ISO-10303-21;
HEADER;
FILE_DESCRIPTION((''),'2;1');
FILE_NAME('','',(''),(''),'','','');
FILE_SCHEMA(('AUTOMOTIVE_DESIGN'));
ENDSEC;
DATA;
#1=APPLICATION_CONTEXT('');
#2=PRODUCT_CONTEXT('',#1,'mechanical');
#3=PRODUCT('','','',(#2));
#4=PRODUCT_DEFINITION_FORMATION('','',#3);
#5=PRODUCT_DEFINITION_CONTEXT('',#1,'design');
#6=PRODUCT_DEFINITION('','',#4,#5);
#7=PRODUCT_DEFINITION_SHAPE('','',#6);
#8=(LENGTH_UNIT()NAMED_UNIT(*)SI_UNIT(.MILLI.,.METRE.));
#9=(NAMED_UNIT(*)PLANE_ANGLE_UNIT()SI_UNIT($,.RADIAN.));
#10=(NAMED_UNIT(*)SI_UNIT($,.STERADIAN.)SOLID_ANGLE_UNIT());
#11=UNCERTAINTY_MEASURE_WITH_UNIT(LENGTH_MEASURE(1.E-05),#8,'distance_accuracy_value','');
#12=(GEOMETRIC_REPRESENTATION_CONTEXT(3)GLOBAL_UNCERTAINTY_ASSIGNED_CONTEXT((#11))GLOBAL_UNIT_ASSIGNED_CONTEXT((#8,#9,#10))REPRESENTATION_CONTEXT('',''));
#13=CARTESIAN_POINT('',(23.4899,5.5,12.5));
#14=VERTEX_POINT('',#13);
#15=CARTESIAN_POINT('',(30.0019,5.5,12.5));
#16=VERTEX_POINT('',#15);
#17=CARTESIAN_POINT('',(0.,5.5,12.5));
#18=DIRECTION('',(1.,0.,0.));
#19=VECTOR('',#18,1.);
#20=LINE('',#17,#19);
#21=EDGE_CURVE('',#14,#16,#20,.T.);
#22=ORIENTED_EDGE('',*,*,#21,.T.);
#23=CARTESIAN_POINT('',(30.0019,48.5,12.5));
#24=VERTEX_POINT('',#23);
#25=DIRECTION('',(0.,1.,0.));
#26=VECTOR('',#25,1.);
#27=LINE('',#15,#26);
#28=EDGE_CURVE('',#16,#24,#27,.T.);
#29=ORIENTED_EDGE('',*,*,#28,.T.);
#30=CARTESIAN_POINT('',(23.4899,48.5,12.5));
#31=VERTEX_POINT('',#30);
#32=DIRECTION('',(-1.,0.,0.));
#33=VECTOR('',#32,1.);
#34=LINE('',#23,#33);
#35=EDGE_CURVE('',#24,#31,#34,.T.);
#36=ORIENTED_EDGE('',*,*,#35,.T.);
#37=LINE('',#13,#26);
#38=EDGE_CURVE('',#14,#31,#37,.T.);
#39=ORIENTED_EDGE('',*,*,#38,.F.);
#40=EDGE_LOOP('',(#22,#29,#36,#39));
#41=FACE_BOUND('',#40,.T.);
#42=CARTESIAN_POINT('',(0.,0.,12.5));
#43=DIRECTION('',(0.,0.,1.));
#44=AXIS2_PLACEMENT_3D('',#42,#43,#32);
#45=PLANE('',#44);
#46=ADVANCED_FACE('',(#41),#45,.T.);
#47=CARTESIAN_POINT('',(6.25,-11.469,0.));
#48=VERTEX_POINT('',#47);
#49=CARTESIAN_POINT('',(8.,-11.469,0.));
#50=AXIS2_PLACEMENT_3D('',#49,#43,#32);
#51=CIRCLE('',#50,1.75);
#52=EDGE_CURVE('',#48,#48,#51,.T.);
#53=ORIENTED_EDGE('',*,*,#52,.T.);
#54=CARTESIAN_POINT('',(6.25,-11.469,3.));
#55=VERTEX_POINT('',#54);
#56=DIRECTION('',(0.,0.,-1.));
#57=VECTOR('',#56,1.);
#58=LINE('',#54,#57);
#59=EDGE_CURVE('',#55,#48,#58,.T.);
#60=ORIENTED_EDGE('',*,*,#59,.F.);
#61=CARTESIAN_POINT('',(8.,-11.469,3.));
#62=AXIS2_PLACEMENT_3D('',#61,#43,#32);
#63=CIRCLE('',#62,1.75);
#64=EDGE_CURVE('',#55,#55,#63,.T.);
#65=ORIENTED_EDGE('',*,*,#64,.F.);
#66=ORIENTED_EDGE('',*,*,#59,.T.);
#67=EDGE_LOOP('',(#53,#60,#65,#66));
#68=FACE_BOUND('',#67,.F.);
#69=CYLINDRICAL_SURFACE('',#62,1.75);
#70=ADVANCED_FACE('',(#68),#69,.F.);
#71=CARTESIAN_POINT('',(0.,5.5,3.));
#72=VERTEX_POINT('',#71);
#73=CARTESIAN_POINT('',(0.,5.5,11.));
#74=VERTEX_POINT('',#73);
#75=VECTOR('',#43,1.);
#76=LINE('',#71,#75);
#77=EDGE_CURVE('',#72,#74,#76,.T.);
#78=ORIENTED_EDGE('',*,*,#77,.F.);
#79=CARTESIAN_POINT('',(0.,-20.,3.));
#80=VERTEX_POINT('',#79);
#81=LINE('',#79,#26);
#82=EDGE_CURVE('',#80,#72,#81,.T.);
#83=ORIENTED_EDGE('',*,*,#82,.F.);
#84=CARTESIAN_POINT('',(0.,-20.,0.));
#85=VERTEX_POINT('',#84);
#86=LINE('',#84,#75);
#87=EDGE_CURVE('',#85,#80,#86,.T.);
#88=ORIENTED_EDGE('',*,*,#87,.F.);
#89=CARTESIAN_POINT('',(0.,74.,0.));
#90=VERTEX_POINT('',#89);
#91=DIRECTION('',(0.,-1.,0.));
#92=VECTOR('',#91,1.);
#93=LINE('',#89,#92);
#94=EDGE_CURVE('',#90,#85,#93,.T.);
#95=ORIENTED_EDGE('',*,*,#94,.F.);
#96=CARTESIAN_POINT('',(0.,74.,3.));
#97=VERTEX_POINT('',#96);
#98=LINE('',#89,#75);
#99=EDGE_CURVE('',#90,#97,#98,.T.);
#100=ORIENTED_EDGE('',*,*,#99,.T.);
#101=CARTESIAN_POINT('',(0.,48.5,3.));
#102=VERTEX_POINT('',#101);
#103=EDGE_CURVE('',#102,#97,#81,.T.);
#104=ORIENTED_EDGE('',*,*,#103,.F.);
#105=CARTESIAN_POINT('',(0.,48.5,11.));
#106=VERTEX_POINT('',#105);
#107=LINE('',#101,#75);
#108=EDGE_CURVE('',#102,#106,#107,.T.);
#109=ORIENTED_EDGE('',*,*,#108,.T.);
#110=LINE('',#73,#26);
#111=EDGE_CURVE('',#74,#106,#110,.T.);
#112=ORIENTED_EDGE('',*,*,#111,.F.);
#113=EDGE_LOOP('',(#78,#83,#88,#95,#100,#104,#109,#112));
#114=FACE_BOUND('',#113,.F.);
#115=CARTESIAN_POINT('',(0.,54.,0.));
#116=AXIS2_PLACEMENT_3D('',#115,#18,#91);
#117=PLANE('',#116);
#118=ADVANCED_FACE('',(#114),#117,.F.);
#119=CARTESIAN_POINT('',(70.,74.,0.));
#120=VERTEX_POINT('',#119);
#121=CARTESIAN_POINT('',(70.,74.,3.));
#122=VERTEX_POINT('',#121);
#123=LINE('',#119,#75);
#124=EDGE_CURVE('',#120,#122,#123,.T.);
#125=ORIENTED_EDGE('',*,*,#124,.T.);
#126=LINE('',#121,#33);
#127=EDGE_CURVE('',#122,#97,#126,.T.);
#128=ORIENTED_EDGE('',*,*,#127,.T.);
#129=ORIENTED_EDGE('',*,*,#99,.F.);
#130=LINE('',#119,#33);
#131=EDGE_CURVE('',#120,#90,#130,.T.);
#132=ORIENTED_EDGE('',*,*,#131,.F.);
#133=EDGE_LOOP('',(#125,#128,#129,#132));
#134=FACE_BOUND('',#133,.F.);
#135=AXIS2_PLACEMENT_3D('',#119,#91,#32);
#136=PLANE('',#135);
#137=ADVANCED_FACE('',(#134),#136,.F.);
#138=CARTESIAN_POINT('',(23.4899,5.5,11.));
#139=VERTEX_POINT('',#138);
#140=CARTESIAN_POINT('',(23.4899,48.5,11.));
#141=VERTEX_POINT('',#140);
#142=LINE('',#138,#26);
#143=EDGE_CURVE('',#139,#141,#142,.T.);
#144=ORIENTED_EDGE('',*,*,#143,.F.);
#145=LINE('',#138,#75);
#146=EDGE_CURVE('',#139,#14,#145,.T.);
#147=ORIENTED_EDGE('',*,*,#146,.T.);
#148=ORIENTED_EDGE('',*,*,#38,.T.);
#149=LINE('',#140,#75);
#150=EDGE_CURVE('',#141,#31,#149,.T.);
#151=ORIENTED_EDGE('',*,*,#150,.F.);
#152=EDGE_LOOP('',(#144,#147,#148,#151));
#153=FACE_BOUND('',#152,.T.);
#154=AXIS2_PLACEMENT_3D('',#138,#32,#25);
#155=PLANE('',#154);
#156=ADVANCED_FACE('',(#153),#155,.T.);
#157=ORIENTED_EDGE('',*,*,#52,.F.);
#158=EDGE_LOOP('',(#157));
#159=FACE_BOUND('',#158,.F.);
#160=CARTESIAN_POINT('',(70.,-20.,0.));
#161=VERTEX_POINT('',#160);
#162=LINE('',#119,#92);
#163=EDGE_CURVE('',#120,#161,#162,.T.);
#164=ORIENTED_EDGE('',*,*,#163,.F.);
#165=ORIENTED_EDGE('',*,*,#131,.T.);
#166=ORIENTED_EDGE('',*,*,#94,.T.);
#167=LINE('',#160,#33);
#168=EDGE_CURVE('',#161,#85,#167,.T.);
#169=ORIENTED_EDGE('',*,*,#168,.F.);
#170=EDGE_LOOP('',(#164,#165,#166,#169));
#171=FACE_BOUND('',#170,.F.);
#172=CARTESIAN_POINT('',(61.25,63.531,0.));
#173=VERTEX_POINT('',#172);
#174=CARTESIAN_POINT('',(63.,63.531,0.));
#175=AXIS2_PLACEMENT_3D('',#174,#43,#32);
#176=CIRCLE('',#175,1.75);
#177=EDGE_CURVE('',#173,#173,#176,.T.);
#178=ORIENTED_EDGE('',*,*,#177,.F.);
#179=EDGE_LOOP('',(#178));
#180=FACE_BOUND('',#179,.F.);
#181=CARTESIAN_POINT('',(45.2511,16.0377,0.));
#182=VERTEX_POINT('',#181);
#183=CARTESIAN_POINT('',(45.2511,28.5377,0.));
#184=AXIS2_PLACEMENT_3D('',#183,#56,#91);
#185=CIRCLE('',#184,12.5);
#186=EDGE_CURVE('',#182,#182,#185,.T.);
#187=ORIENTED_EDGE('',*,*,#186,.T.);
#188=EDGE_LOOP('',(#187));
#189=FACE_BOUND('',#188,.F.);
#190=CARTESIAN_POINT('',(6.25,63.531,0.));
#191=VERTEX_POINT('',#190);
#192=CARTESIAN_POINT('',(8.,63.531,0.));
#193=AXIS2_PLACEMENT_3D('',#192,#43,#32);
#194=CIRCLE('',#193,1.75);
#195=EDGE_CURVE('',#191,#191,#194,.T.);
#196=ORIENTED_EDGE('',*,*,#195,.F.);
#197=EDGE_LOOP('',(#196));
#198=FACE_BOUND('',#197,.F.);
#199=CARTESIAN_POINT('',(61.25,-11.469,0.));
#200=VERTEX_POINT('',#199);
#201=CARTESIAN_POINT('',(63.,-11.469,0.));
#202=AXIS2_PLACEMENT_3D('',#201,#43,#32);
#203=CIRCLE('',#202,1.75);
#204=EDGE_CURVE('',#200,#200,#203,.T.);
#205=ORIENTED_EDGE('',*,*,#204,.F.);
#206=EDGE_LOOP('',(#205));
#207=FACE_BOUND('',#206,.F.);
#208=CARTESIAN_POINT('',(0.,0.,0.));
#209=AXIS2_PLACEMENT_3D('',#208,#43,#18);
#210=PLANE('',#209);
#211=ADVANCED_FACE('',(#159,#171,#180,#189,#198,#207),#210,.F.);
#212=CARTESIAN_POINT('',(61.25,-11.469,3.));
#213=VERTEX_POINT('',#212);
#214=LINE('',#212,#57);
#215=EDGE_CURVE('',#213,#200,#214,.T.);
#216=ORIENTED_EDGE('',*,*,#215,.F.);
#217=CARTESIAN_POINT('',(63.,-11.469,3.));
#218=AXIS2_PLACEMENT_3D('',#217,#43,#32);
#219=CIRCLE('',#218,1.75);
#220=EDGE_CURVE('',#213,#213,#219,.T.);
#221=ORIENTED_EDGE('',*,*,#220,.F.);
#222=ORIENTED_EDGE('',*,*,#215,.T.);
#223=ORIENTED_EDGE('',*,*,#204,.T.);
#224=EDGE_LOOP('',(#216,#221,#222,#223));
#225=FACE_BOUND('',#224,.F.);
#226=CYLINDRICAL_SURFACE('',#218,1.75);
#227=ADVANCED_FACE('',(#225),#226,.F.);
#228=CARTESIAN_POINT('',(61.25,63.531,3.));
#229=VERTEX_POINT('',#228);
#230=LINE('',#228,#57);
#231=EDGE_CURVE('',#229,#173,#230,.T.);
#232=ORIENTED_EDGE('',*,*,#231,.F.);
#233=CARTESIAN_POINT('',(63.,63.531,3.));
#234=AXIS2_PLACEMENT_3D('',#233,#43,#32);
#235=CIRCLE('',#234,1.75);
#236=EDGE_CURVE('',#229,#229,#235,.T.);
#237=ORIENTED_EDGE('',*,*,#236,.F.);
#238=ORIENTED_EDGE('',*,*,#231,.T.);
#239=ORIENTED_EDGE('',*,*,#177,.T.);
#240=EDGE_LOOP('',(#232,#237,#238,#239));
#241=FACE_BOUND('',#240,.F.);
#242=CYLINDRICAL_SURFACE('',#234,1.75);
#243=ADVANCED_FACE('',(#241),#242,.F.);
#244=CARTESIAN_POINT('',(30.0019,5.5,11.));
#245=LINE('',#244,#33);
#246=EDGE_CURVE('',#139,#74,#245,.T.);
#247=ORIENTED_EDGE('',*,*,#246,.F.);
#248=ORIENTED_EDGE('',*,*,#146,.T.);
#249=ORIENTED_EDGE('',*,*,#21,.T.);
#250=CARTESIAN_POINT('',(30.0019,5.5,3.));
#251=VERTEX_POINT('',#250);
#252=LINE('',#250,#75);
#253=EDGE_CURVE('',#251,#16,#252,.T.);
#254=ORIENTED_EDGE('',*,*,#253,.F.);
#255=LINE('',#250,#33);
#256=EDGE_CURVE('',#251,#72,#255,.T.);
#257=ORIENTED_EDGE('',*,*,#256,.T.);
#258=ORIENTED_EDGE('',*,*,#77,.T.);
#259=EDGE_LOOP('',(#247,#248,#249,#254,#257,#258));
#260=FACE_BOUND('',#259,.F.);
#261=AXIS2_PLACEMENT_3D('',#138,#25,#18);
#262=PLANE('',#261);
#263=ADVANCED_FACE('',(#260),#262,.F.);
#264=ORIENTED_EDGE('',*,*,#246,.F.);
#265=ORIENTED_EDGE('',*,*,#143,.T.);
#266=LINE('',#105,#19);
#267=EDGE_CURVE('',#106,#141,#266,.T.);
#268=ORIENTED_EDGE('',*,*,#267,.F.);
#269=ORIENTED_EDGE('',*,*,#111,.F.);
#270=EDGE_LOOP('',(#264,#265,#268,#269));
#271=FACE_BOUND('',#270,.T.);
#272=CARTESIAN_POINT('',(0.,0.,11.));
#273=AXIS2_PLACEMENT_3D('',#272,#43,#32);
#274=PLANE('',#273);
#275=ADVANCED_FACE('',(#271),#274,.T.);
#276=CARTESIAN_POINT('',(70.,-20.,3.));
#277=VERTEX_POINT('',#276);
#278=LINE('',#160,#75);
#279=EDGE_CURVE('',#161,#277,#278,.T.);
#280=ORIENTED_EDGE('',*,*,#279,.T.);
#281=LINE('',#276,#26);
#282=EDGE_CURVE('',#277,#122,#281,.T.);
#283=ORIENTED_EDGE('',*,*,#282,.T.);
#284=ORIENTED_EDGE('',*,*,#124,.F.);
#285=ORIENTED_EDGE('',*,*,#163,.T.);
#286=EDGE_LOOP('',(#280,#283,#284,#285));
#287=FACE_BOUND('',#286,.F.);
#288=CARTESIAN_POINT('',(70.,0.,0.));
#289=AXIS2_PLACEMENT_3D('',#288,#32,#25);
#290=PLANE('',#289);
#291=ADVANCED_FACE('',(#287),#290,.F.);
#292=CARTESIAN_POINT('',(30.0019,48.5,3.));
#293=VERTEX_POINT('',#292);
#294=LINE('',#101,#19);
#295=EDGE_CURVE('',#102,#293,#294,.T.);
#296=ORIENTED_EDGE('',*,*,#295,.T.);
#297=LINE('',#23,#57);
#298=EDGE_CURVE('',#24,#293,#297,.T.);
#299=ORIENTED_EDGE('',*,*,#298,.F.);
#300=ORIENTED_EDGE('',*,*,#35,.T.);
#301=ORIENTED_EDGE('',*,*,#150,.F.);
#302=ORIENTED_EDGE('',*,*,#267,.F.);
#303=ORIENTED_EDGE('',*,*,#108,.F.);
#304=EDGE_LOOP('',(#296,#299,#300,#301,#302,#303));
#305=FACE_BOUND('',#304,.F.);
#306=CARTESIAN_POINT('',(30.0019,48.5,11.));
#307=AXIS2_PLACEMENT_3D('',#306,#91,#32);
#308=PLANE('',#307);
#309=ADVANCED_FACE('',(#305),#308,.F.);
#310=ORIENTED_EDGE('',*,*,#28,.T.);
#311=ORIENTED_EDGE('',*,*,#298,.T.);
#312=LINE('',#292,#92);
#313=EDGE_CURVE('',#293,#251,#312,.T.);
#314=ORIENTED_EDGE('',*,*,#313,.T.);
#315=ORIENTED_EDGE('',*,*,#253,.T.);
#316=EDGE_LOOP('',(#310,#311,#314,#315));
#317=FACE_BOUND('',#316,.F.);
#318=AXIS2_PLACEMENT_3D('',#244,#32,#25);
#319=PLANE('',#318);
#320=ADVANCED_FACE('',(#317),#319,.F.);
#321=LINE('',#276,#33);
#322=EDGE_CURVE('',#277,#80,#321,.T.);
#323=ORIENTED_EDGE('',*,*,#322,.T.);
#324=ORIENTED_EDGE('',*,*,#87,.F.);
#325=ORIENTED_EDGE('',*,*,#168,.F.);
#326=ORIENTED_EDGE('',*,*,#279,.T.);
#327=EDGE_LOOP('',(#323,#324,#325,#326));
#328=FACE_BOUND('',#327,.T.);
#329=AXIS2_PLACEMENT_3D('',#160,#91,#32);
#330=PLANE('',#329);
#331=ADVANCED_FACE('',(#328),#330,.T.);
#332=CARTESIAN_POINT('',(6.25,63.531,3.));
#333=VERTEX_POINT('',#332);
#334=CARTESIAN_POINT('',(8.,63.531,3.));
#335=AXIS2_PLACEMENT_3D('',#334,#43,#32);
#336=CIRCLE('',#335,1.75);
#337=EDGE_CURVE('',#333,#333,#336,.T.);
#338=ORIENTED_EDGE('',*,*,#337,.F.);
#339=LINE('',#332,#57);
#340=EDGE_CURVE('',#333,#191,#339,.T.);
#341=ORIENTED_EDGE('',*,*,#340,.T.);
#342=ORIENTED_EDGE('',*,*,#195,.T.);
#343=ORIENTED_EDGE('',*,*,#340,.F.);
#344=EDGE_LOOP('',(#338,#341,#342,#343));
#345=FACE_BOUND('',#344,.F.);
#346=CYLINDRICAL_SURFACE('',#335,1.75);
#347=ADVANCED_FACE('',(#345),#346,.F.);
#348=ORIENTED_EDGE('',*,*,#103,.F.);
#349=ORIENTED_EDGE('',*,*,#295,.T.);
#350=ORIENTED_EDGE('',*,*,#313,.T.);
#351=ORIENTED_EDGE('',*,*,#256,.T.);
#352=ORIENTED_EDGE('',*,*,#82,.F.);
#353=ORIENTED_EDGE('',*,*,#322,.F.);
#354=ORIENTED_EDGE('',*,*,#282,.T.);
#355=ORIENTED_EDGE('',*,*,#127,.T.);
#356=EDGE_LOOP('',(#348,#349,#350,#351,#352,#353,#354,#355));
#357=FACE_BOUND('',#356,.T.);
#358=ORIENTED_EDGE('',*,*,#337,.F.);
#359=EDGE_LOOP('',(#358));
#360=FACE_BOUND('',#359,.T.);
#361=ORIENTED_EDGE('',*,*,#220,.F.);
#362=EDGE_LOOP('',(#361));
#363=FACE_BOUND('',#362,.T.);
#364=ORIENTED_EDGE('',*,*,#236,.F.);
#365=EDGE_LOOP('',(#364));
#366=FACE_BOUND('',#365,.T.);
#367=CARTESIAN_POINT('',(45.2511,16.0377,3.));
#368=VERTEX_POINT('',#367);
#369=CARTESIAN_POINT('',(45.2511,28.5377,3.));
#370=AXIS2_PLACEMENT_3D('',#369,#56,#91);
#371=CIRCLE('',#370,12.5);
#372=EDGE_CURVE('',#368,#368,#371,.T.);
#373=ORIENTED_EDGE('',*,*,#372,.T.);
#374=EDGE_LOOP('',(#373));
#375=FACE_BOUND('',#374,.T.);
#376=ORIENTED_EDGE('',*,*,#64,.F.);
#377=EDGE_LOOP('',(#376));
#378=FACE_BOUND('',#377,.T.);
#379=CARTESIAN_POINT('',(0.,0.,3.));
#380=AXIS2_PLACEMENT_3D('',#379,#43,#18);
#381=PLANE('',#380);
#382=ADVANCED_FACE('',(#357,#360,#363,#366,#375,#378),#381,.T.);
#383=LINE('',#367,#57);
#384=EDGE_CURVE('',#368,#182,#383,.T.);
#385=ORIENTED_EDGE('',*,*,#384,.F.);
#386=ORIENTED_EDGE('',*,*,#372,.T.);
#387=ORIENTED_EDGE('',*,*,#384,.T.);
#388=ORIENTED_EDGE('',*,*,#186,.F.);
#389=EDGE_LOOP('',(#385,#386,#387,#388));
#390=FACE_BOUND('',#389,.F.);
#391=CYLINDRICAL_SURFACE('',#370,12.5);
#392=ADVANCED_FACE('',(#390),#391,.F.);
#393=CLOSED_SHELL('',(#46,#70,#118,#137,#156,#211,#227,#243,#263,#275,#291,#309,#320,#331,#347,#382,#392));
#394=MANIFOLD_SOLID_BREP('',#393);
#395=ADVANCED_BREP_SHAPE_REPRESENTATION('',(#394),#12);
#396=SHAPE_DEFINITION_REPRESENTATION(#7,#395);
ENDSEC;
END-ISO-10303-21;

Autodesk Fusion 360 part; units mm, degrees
sketch "Sketch1" plane through (0, 0, 0) normal (0, 0, 1) x (1, 0, 0)
  line L0 (0, 0) -> (70, 0)
  line L1 (70, 0) -> (70, 54)
  line L2 (70, 54) -> (0, 54)
  line L3 (0, 54) -> (0, 0)
  line L4 (0, 0) -> (70, 0)
  line L5 (70, 0) -> (70, -20)
  line L6 (70, -20) -> (0, -20)
  line L7 (0, -20) -> (0, 0)
  line L8 (0, 54) -> (70, 54)
  line L9 (70, 54) -> (70, 74)
  line L10 (70, 74) -> (0, 74)
  line L11 (0, 74) -> (0, 54)
  dimension "d1" = 54
  dimension "d2" = 70
  dimension "d3" = 20
  dimension "d4" = 20
extrude "Extrude1" add sketch "Sketch1" along normal blind 3
hole "Hole1" at (45.2511, 28.5377, 3) direction (0, 0, -1) diameter 25 depth 5 tip angle 180
sketch "Sketch3" plane through (0, 0, 3) normal (0, 0, 1) x (-1, 0, 0)
  circle A0 centre (-45.2511, -28.5377) radius 12.5
  line L0 (0, -48.5) -> (-30.0019, -48.5)
  line L1 (-30.0019, -48.5) -> (-30.0019, -5.5)
  line L2 (-30.0019, -5.5) -> (0, -5.5)
  line L3 (0, -5.5) -> (0, -48.5)
  line L4 (-70, 20) -> (-70, -74)
  line L5 (-70, -74) -> (0, -74)
  line L6 (0, -74) -> (0, 20)
  line L7 (0, 20) -> (-70, 20)
  dimension "d20" = 25.5
  dimension "d21" = 25.5
extrude "Extrude3" add sketch "Sketch3" along normal blind 8 contours L0 L1 L2 L3 L6
sketch "Sketch4" plane through (0, 0, 3) normal (0, 0, 1) x (-1, 0, 0)
  line L0 (0, -48.5) -> (-30.0019, -48.5)
  line L1 (-30.0019, -48.5) -> (-30.0019, -5.5)
  line L2 (-30.0019, -5.5) -> (0, -5.5)
  line L3 (0, -5.5) -> (0, 20)
  line L4 (0, 20) -> (-70, 20)
  line L5 (-70, 20) -> (-70, -74)
  line L6 (-70, -74) -> (0, -74)
  line L7 (0, -74) -> (0, -48.5)
  circle A0 centre (-45.2511, -28.5377) radius 12.5
  circle A1 centre (-8, -63.531) radius 1.75
  circle A2 centre (-63, -63.531) radius 1.75
  circle A3 centre (-8, 11.469) radius 1.75
  circle A4 centre (-63, 11.469) radius 1.75
  dimension "d22" = 3.5
  dimension "d25" = -55
  dimension "d26" = 75
  dimension "d27" = 10.469
  dimension "d30" = 8
extrude "Extrude4" cut sketch "Sketch4" against normal blind 3 contours A1 | A2 | A3 | A4
sketch "Sketch5" plane through (0, 0, 11) normal (0, 0, 1) x (-1, 0, 0)
  line L0 (0, -5.5) -> (-30.0019, -5.5)
  line L1 (-30.0019, -5.5) -> (-30.0019, -48.5)
  line L2 (-30.0019, -48.5) -> (0, -48.5)
  line L3 (0, -48.5) -> (0, -5.5)
  line L4 (-30.0019, -5.5) -> (-23.4899, -5.5)
  line L5 (-23.4899, -5.5) -> (-23.4899, -48.5)
  line L6 (-23.4899, -48.5) -> (-30.0019, -48.5)
  line L7 (-30.0019, -48.5) -> (-30.0019, -5.5)
extrude "Extrude5" add sketch "Sketch5" along normal blind 1.5 contours L0 L1 L2 L4 L5 L6 L7
